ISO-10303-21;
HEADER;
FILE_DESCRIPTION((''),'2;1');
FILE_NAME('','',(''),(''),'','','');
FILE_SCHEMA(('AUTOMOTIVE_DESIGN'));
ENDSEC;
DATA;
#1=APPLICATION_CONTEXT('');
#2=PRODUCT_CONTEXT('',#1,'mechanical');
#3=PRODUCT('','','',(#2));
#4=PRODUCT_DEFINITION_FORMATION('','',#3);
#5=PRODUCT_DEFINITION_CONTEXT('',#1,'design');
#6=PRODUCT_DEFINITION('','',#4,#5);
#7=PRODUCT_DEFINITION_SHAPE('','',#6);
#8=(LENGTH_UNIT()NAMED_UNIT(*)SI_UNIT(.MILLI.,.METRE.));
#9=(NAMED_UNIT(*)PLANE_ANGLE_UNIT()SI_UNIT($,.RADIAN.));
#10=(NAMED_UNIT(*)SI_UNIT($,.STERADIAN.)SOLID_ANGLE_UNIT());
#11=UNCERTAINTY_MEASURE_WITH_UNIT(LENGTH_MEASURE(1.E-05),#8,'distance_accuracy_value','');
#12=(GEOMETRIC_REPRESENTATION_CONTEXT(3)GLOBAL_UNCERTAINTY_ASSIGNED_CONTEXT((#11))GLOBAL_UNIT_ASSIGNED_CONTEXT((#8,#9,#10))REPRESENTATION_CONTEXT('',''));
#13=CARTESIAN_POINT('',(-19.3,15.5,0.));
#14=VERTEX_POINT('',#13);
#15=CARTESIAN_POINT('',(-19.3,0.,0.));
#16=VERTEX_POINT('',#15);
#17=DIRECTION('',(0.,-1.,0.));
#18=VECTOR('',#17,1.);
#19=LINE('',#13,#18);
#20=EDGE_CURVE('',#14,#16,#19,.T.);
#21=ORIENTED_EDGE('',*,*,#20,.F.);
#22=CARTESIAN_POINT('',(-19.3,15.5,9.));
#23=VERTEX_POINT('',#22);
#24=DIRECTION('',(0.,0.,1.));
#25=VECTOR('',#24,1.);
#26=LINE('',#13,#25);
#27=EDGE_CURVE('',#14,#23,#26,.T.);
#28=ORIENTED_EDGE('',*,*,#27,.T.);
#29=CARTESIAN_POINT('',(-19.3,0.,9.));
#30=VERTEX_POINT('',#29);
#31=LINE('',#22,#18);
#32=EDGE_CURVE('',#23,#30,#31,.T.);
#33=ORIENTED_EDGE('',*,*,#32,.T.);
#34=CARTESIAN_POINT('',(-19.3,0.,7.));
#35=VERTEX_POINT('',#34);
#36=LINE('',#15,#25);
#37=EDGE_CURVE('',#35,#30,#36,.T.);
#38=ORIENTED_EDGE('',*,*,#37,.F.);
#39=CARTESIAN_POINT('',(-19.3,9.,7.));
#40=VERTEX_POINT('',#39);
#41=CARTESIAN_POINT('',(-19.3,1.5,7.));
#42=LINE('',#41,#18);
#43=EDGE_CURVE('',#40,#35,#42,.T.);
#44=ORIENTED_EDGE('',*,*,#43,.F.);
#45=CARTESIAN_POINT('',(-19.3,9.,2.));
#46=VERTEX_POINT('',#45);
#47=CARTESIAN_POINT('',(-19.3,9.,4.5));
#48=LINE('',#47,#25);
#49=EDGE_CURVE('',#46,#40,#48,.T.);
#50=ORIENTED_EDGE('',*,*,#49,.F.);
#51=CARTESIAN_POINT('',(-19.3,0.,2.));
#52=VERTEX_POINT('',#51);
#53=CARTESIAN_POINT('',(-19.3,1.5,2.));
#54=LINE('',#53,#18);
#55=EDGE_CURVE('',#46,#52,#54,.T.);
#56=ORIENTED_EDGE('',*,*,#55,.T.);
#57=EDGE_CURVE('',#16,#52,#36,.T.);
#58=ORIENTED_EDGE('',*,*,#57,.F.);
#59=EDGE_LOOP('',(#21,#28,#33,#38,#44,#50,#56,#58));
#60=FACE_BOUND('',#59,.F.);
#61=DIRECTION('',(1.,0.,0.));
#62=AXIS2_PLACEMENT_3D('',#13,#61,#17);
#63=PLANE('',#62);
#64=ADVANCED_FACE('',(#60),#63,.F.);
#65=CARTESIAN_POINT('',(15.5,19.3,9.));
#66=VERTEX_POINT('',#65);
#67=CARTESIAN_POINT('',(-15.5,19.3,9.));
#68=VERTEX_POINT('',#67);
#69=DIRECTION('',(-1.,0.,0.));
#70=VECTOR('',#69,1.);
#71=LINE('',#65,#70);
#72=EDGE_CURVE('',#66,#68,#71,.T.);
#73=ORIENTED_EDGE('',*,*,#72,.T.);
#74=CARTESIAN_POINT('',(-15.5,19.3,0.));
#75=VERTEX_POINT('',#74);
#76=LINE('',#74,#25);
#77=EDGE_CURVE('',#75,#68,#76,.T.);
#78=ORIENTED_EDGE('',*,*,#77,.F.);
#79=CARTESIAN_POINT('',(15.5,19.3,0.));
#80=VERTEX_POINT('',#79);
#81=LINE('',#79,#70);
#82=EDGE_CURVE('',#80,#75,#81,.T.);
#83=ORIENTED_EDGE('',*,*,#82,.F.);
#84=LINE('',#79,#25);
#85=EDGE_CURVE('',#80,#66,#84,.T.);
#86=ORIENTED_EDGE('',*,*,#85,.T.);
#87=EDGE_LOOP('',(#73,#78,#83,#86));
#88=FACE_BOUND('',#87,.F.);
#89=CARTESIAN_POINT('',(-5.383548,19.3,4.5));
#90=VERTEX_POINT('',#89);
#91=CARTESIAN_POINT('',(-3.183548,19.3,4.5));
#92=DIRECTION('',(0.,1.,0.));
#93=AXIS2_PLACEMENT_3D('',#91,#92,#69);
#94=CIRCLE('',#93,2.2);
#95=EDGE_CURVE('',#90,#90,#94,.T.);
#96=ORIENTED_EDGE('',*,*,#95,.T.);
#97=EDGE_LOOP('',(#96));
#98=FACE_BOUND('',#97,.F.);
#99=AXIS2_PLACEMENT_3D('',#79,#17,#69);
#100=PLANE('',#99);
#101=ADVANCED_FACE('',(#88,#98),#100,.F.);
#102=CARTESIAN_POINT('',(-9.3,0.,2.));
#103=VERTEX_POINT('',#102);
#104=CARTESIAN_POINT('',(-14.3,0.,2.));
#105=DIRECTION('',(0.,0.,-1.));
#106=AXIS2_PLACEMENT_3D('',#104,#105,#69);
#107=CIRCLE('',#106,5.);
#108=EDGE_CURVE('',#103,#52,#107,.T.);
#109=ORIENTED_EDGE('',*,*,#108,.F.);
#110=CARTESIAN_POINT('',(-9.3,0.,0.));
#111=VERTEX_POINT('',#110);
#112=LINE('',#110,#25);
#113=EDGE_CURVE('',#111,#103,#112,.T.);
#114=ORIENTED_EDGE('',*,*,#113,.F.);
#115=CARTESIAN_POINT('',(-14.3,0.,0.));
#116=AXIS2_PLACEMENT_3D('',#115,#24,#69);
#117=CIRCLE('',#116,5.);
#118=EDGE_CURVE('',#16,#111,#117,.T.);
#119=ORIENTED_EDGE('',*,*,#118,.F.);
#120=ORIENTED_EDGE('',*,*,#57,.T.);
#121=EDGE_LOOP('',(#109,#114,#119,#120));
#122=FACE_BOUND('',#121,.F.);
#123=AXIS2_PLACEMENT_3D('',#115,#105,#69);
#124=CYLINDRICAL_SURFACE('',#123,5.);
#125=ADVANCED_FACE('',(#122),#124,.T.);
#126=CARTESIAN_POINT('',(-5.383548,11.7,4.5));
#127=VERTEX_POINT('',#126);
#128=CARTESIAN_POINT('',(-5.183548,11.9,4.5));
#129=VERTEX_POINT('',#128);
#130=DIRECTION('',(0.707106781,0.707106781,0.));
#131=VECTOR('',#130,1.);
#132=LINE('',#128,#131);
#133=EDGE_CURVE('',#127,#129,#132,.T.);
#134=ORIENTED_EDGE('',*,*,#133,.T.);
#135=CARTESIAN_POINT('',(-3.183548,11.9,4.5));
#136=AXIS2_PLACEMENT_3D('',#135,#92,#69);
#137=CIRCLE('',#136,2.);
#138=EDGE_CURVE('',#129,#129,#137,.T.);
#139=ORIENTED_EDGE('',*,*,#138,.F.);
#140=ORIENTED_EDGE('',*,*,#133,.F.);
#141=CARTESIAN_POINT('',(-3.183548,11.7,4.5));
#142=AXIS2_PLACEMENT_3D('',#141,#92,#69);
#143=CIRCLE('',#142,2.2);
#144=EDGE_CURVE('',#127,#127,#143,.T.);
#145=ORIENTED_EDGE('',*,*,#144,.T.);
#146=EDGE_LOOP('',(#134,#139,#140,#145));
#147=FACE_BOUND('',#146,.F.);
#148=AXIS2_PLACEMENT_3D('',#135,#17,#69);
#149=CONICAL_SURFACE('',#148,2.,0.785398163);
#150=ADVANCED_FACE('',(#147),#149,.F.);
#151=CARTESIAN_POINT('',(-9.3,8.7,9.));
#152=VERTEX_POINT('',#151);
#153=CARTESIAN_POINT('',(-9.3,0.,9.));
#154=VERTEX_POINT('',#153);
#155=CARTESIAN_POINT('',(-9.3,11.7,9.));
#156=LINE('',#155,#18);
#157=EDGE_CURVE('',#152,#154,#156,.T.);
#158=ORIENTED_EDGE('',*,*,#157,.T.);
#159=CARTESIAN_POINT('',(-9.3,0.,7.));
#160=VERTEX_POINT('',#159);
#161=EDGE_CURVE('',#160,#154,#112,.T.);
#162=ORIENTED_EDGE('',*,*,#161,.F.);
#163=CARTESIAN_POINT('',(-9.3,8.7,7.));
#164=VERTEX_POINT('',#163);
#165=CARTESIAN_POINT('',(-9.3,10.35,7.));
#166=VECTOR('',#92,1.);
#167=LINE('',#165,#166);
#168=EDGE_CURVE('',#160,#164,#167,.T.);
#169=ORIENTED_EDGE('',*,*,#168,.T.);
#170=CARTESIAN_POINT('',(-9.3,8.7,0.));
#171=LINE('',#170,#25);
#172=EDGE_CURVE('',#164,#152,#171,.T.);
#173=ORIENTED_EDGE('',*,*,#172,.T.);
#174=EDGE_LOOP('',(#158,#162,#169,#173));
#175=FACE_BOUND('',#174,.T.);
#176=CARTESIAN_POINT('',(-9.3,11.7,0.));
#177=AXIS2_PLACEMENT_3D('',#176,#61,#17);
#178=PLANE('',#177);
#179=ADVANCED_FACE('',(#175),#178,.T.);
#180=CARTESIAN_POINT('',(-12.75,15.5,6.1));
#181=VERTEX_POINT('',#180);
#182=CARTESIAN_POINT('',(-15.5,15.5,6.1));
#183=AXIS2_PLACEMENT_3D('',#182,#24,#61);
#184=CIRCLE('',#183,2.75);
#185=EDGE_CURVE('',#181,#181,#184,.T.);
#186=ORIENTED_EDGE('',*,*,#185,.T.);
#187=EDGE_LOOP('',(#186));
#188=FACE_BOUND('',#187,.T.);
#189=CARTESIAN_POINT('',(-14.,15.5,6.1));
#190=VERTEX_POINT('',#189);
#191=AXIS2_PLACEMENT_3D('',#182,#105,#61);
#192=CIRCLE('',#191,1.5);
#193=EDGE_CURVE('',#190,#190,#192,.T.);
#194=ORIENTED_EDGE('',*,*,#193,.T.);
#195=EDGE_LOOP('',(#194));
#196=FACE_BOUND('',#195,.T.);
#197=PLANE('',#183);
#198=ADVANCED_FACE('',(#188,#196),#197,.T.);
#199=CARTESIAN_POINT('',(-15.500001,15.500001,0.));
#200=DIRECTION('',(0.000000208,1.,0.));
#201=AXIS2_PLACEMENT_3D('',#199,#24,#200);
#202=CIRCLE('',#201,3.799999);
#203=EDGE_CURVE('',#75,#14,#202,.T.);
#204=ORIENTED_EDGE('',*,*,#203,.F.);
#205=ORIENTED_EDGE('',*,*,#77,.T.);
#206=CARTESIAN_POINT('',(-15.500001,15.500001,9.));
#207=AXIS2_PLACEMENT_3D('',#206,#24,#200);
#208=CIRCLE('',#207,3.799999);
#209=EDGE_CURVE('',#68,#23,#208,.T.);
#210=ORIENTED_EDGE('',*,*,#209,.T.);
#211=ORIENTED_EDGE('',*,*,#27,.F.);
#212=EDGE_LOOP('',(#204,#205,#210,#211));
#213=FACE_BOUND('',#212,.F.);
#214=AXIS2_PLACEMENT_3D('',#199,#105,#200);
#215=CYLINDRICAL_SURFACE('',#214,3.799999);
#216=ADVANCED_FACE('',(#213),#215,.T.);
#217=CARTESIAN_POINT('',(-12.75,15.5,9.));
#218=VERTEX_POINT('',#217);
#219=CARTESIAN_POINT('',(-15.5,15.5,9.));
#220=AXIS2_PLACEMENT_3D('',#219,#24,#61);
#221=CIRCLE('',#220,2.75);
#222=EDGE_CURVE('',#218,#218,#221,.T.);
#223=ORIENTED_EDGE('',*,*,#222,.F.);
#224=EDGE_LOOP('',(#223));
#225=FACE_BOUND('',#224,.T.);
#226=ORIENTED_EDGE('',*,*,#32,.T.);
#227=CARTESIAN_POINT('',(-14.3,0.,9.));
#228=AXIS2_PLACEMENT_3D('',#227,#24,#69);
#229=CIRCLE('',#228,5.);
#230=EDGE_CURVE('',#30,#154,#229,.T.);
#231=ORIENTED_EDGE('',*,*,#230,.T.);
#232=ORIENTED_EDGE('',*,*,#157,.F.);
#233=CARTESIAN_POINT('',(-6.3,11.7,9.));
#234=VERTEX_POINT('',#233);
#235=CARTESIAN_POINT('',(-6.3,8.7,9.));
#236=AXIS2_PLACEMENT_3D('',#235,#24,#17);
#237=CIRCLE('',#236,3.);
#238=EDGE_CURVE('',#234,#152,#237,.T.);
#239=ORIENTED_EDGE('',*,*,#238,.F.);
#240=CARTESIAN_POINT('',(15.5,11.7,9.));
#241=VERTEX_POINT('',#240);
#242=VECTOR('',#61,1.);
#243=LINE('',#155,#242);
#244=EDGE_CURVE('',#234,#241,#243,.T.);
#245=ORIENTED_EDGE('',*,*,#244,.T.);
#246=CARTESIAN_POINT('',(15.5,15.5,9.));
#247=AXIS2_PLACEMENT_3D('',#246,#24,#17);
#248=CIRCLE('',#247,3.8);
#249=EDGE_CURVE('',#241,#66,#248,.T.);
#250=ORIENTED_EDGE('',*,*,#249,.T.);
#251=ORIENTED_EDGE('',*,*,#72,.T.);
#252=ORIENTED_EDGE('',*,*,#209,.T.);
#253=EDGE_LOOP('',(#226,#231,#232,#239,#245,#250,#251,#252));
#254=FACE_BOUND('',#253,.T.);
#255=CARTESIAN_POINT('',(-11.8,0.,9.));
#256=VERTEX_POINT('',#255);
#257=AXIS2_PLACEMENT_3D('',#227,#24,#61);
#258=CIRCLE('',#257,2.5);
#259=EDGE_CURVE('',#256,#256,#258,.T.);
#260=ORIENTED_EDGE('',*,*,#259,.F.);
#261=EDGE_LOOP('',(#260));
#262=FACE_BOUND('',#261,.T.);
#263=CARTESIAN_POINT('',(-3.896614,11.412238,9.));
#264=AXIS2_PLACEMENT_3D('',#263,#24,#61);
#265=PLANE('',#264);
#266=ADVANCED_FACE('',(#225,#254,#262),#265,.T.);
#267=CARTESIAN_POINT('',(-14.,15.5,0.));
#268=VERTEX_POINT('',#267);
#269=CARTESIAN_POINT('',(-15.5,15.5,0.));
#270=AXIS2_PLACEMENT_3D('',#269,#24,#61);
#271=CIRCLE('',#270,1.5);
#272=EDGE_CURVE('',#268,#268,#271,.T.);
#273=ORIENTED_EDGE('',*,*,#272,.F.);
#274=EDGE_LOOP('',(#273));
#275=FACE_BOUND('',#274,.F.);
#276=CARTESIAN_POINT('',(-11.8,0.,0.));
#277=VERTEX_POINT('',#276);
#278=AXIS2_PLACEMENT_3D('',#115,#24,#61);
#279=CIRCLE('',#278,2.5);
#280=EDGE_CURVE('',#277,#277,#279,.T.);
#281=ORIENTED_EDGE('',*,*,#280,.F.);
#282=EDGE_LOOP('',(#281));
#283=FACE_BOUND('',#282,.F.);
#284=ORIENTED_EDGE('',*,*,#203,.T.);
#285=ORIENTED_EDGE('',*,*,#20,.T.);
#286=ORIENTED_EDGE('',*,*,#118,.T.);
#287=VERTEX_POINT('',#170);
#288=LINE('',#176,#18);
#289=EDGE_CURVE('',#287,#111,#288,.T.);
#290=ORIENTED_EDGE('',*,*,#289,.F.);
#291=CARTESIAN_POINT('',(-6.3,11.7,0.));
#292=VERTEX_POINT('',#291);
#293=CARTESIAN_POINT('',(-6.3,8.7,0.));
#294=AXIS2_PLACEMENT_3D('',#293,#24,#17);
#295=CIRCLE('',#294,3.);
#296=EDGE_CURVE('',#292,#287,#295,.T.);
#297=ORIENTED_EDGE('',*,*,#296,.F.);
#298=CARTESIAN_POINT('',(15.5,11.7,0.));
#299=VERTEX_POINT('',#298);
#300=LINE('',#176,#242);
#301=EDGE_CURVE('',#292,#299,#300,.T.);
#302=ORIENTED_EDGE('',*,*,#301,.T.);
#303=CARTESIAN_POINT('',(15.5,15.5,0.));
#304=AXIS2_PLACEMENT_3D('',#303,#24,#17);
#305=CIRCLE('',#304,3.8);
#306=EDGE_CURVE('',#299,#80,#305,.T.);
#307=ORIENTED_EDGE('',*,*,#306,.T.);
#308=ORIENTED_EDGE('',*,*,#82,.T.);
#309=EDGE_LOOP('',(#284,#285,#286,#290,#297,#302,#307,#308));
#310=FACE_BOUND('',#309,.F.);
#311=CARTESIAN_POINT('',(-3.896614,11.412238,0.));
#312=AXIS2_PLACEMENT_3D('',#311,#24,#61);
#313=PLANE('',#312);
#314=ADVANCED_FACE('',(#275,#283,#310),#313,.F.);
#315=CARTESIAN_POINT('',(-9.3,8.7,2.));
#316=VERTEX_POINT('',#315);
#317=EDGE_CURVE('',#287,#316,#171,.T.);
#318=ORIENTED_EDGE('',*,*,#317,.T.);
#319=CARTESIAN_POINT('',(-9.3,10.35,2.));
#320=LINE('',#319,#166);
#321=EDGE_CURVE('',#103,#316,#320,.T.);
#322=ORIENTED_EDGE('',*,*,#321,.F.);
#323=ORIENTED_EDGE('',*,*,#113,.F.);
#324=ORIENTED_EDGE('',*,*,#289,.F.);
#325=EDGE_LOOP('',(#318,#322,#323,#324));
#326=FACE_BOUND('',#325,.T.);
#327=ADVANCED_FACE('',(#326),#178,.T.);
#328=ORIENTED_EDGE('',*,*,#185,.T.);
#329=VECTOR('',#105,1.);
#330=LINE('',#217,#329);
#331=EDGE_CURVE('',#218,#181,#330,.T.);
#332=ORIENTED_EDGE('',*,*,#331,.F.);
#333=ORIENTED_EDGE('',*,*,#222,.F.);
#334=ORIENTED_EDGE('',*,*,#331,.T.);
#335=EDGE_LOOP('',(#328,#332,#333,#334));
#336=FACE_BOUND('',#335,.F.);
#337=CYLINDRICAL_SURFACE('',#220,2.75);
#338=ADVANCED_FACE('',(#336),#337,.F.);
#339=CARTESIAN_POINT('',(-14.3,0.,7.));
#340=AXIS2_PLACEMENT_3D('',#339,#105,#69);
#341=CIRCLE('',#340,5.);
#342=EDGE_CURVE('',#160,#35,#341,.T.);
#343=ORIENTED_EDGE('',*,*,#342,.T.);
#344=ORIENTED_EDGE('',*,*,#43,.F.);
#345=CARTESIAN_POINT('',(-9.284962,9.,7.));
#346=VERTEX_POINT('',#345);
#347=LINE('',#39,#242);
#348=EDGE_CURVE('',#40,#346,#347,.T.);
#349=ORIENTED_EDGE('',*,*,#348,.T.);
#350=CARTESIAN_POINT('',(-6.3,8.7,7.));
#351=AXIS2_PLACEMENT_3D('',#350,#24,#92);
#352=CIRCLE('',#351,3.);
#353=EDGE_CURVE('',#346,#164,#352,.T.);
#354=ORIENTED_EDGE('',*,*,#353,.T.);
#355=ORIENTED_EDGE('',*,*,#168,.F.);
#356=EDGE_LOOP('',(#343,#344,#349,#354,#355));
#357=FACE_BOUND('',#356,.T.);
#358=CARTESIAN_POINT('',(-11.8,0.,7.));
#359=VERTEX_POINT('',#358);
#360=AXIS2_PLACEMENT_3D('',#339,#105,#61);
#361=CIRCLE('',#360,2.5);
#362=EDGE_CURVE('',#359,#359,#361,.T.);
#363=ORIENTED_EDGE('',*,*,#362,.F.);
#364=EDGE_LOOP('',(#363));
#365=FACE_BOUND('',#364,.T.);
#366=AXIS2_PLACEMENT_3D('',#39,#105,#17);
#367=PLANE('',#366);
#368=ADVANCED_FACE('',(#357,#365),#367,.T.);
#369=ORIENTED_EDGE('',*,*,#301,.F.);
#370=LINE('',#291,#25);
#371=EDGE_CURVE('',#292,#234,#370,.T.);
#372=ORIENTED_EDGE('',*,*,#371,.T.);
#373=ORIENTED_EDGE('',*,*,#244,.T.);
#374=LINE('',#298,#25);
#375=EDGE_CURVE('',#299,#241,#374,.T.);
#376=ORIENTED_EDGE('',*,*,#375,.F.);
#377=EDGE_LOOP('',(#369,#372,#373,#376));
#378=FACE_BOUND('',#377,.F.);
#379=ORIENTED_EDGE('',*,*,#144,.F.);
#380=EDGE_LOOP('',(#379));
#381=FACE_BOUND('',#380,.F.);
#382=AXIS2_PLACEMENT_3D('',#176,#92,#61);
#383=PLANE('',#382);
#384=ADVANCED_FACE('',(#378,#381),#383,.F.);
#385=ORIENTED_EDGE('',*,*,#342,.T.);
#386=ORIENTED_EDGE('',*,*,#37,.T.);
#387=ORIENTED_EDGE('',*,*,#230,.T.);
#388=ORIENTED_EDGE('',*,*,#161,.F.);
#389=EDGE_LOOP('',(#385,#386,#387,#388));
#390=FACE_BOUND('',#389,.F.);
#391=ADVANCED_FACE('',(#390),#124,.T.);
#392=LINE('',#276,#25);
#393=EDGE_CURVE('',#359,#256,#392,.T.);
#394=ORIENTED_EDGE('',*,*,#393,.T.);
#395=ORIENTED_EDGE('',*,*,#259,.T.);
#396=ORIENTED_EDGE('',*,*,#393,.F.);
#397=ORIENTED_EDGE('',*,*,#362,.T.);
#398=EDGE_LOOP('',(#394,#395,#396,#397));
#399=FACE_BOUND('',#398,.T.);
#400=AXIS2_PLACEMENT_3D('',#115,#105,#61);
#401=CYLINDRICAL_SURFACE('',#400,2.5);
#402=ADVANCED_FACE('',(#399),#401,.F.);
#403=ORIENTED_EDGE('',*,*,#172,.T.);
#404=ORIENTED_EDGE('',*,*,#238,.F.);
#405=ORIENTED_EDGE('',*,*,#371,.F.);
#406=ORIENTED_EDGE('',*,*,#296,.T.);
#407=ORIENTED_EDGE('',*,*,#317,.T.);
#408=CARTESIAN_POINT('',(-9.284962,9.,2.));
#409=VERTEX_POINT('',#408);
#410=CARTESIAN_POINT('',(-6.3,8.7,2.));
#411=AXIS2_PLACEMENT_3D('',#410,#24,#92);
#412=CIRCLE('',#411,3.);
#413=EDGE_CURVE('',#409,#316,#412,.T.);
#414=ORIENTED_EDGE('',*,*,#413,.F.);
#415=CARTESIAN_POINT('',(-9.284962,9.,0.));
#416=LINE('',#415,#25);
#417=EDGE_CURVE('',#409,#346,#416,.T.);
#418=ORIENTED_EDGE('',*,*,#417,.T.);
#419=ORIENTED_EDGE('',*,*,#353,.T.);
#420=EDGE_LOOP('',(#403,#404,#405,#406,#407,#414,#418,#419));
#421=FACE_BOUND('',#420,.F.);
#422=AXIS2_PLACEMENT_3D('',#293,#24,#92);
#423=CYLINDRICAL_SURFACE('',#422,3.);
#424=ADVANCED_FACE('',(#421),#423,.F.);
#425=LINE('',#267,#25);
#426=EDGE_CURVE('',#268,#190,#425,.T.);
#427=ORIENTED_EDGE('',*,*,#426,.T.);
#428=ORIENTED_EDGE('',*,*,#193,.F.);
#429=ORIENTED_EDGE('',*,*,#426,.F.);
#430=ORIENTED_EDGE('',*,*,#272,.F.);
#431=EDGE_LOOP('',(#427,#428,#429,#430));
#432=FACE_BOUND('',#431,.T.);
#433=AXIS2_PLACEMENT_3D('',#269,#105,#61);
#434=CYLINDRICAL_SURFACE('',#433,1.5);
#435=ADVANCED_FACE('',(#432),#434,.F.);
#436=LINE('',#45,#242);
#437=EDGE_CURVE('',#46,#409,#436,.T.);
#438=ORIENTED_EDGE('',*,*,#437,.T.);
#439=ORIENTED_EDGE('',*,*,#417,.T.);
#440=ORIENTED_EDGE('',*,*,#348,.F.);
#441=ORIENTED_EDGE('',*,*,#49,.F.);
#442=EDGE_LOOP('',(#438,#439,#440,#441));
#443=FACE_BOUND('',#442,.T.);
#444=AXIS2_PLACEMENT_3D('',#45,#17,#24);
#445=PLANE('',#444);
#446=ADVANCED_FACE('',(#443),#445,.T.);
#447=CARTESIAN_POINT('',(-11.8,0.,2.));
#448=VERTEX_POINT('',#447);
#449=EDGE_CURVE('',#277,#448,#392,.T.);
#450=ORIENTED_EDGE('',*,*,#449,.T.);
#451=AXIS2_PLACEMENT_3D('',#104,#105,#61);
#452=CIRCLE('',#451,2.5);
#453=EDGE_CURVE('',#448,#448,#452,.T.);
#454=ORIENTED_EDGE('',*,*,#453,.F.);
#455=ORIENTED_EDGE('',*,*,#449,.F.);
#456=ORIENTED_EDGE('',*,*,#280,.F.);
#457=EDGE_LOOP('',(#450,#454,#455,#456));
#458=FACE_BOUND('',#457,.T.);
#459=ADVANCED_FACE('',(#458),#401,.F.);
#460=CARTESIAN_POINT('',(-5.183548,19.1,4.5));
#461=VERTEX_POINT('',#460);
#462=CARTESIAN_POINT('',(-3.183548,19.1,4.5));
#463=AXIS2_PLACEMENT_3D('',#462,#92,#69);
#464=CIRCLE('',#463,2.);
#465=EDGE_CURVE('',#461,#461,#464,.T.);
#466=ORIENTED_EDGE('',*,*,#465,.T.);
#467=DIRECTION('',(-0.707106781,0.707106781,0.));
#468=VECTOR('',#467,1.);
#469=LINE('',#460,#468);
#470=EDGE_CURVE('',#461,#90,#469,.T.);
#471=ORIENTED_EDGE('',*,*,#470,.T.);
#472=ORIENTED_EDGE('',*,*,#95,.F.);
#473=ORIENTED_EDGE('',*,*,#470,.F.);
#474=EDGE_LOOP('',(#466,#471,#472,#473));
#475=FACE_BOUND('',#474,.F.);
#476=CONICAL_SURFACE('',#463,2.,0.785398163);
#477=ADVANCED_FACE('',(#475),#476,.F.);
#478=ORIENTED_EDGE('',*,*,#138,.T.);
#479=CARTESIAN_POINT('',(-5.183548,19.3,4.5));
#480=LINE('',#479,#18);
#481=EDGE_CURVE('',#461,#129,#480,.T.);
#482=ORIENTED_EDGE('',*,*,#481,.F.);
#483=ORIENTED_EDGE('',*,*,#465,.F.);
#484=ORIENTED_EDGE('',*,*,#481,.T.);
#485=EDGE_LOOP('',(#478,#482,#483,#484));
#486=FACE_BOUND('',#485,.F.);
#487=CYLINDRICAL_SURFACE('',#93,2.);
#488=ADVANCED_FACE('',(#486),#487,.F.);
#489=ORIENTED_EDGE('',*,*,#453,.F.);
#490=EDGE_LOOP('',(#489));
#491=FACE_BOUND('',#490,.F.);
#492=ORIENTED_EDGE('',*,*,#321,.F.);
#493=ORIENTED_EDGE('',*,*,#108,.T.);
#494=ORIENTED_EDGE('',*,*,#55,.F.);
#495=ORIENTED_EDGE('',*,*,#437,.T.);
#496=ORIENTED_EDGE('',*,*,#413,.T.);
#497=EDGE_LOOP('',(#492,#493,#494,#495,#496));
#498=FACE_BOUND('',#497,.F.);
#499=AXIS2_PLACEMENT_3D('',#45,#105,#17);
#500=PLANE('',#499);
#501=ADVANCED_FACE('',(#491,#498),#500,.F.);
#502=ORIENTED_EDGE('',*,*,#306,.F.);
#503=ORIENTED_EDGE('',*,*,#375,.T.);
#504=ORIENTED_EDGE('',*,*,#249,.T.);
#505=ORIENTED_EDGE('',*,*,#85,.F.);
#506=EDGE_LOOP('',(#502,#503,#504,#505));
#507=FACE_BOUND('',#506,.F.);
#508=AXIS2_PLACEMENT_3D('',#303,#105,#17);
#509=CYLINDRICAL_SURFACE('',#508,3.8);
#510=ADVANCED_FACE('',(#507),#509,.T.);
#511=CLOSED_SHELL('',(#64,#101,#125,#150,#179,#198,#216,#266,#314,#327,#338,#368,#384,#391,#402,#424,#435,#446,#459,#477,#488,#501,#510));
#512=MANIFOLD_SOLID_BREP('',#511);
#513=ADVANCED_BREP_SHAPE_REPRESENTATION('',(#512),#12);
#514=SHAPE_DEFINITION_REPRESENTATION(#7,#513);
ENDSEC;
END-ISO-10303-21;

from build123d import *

# Parameters (mm, degrees)
SKETCH_R        = 1.5
SKETCH_R_2      = 2.5
PAD_DEPTH       = 9
FILLET_R        = 3
SKETCH001_W     = 15
SKETCH001_H     = 5
POCKET_DEPTH    = 38.601
SKETCH002_R     = 2
POCKET001_DEPTH = 7.6
CHAMFER_SIZE    = 0.2
SKETCH003_R     = 2.75
POCKET002_DEPTH = 2.9


with BuildPart() as part:
    # Sketch → Pad (new body)
    with BuildSketch(Plane.XY):
        with BuildLine():
            Line((15.5, 19.3), (-15.5, 19.3))
            ThreePointArc((-15.5, 19.3), (-18.187006, 18.187006), (-19.3, 15.5))
            Line((-19.3, 15.5), (-19.3, 0))
            ThreePointArc((-19.3, 0), (-14.3, -5), (-9.3, 0))
            Line((-9.3, 11.7), (-9.3, 0))
            Line((-9.3, 11.7), (15.5, 11.7))
            ThreePointArc((15.5, 11.7), (19.3, 15.5), (15.5, 19.3))
        make_face()
        with Locations((-15.5, 15.5)):
            Circle(SKETCH_R, mode=Mode.SUBTRACT)
        with Locations((-14.3, 0)):
            Circle(SKETCH_R_2, mode=Mode.SUBTRACT)
    extrude(amount=PAD_DEPTH)

    # Fillet
    fillet_edges = [part.edges().sort_by_distance(p)[0] for p in [
        (-9.3, 11.7, 4.5),
    ]]
    fillet(fillet_edges, radius=FILLET_R)

    # Sketch001 → Pocket (cut, through all)
    with BuildSketch(Plane(origin=(-19.3, 0, 0), x_dir=(0, -1, 0), z_dir=(-1, 0, 0))):
        with Locations((-1.5, 4.5)):
            Rectangle(SKETCH001_W, SKETCH001_H)
    extrude(amount=-POCKET_DEPTH, mode=Mode.SUBTRACT)

    # Sketch002 → Pocket001 (cut)
    with BuildSketch(Plane(origin=(0, 19.3, 0), x_dir=(-1, 0, 0), z_dir=(0, 1, 0))):
        with Locations((3.183548, 4.5)):
            Circle(SKETCH002_R)
    extrude(amount=-POCKET001_DEPTH, mode=Mode.SUBTRACT)

    # Chamfer
    chamfer_edges = [part.edges().sort_by_distance(p)[0] for p in [
        (-1.183548, 19.3, 4.5),
        (-1.183548, 11.7, 4.5),
    ]]
    chamfer(chamfer_edges, length=CHAMFER_SIZE)

    # Sketch003 → Pocket002 (cut)
    with BuildSketch(Plane.XY.offset(9)):
        with Locations((-15.5, 15.5)):
            Circle(SKETCH003_R)
    extrude(amount=-POCKET002_DEPTH, mode=Mode.SUBTRACT)


solid = part.part
